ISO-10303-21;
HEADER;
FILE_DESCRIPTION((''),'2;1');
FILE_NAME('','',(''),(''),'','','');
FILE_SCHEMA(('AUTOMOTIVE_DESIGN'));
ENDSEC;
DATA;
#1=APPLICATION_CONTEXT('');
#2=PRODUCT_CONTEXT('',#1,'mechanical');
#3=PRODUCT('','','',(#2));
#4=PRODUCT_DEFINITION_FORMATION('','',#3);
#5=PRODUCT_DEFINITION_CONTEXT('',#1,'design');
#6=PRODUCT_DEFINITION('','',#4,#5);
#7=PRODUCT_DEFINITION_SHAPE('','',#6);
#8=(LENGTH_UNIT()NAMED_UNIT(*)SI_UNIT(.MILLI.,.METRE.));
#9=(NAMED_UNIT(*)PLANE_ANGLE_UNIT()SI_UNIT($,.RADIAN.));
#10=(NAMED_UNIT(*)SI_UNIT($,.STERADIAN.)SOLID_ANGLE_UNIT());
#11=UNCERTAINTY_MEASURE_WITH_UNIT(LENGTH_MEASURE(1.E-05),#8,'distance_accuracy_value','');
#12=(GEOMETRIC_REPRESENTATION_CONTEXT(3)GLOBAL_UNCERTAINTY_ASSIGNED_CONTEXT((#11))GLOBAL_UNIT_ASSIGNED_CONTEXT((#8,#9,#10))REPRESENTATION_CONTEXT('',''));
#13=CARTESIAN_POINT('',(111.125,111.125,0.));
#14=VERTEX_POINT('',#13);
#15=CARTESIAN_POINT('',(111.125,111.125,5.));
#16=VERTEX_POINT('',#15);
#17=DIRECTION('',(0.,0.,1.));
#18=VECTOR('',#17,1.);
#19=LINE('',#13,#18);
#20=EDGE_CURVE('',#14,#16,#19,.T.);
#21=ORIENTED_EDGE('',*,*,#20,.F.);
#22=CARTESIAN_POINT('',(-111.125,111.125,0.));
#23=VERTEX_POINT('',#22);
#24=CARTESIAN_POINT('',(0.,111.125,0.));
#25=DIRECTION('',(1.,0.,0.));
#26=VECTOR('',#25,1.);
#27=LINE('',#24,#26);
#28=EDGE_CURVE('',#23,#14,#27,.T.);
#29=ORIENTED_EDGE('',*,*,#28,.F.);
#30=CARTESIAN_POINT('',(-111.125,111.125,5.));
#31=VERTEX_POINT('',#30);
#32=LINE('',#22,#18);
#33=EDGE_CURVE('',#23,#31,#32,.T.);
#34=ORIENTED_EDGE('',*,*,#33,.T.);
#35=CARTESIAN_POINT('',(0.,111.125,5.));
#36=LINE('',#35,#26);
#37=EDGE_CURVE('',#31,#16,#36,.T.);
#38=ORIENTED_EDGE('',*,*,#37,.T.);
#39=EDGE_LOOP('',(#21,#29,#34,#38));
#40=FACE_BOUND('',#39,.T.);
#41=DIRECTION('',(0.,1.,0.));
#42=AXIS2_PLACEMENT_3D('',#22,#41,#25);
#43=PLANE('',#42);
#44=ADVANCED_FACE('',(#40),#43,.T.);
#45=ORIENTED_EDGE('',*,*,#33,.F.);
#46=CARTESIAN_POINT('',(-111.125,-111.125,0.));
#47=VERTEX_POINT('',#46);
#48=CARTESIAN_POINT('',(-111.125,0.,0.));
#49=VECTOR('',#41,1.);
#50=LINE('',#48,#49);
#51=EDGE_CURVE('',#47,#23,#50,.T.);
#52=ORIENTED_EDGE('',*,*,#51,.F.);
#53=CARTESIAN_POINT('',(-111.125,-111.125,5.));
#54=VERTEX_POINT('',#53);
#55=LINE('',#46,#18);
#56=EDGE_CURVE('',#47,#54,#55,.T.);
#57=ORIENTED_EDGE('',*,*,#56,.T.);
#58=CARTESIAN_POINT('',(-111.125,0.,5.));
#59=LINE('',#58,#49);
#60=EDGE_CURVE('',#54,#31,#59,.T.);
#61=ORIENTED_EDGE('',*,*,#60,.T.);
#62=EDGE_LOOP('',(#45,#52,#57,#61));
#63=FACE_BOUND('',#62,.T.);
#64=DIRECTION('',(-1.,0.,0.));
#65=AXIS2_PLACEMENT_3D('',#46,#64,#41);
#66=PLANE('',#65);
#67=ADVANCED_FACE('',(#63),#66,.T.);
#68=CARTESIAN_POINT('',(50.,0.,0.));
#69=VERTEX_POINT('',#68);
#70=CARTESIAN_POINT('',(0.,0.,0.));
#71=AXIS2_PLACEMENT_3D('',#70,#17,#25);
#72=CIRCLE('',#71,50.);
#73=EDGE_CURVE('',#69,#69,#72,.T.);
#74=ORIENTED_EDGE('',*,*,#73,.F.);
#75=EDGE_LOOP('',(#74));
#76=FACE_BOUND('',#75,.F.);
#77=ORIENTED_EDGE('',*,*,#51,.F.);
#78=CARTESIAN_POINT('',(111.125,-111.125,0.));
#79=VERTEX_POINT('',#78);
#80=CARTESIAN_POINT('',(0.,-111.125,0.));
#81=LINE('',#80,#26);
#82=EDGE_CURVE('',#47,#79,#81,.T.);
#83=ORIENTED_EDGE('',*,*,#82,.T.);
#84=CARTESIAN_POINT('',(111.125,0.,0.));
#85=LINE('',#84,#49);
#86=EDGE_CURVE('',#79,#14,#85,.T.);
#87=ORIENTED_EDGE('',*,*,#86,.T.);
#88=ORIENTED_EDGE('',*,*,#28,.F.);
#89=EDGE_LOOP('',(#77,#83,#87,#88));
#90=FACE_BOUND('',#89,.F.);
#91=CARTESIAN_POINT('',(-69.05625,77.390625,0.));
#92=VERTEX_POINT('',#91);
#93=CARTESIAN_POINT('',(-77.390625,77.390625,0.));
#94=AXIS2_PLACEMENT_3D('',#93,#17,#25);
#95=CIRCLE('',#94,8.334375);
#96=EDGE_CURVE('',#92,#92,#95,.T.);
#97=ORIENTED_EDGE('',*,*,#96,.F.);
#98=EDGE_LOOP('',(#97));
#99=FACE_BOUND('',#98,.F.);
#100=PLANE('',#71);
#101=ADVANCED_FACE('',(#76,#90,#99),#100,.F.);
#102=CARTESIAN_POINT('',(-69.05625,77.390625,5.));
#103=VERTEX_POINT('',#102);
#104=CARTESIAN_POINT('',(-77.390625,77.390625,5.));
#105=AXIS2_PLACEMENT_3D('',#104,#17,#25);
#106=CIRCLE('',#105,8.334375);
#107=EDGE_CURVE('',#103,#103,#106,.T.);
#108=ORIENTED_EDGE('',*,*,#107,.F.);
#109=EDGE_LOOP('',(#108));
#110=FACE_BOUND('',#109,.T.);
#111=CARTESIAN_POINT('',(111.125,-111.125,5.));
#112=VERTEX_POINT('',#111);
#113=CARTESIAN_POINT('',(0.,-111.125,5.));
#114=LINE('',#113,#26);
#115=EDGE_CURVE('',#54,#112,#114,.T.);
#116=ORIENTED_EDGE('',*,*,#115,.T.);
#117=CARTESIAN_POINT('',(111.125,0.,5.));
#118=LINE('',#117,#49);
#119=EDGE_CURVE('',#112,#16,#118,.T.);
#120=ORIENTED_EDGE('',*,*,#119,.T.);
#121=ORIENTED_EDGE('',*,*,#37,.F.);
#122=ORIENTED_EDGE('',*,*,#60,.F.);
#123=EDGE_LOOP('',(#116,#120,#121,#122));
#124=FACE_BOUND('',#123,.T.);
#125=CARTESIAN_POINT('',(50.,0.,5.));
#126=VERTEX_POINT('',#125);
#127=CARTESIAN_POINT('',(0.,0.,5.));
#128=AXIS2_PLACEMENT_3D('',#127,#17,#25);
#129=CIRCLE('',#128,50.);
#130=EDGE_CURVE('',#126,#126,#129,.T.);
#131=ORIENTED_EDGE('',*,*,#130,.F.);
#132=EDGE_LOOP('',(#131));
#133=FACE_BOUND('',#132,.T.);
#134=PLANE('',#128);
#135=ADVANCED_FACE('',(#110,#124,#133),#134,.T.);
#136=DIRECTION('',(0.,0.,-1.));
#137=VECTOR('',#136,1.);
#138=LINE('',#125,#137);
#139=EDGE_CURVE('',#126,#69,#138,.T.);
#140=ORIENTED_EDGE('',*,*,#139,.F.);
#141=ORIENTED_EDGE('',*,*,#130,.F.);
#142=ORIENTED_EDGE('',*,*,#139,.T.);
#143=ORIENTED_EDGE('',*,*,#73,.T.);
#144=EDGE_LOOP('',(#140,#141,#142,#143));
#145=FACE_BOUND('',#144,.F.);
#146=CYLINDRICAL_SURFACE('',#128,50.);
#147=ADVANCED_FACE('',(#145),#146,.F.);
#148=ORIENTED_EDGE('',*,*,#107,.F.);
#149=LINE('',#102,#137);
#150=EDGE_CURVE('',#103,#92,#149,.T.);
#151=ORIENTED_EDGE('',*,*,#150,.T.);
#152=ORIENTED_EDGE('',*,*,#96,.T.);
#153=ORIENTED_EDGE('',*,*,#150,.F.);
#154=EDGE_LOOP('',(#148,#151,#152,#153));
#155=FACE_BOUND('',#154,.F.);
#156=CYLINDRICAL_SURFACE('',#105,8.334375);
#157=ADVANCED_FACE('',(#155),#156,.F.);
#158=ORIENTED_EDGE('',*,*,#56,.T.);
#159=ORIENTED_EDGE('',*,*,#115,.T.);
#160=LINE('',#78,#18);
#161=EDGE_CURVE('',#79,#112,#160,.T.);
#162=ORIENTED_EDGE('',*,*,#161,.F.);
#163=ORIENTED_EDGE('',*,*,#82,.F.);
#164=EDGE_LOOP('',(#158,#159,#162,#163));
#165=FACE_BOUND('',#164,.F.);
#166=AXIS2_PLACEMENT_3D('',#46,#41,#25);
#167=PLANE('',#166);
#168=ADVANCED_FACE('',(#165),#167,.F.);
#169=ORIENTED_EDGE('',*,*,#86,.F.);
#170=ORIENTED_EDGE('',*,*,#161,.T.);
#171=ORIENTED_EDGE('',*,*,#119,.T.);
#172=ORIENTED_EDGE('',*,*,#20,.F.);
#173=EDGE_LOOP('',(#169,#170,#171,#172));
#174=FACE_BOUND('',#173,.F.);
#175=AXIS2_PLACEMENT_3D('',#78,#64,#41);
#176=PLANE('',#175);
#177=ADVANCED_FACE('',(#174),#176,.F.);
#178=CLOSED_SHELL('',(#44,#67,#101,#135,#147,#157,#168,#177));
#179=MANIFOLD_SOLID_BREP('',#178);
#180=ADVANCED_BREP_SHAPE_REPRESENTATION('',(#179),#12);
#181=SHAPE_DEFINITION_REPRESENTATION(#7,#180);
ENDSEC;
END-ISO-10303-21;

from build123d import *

# Parameters (mm, degrees)
F0_W     = 222.25
F0_H     = 222.25
F1_DEPTH = 5
F2_R     = 50
F3_DEPTH = 5.001
F4_R     = 8.334375
F5_DEPTH = 5.001


with BuildPart() as f1:
    # F0 (on Top) → F1 (new body)
    with BuildSketch(Plane.XY):
        Rectangle(F0_W, F0_H)
    extrude(amount=F1_DEPTH)

    # F2 (on face) → F3 (cut, through all)
    with BuildSketch(Plane.XY.offset(5)):
        Circle(F2_R)
    extrude(amount=-F3_DEPTH, mode=Mode.SUBTRACT)

    # F4 (on face) → F5 (cut, through all)
    with BuildSketch(Plane.XY.offset(5)):
        with Locations((-77.390625, 77.390625)):
            Circle(F4_R)
    extrude(amount=-F5_DEPTH, mode=Mode.SUBTRACT)


solid = f1.part
